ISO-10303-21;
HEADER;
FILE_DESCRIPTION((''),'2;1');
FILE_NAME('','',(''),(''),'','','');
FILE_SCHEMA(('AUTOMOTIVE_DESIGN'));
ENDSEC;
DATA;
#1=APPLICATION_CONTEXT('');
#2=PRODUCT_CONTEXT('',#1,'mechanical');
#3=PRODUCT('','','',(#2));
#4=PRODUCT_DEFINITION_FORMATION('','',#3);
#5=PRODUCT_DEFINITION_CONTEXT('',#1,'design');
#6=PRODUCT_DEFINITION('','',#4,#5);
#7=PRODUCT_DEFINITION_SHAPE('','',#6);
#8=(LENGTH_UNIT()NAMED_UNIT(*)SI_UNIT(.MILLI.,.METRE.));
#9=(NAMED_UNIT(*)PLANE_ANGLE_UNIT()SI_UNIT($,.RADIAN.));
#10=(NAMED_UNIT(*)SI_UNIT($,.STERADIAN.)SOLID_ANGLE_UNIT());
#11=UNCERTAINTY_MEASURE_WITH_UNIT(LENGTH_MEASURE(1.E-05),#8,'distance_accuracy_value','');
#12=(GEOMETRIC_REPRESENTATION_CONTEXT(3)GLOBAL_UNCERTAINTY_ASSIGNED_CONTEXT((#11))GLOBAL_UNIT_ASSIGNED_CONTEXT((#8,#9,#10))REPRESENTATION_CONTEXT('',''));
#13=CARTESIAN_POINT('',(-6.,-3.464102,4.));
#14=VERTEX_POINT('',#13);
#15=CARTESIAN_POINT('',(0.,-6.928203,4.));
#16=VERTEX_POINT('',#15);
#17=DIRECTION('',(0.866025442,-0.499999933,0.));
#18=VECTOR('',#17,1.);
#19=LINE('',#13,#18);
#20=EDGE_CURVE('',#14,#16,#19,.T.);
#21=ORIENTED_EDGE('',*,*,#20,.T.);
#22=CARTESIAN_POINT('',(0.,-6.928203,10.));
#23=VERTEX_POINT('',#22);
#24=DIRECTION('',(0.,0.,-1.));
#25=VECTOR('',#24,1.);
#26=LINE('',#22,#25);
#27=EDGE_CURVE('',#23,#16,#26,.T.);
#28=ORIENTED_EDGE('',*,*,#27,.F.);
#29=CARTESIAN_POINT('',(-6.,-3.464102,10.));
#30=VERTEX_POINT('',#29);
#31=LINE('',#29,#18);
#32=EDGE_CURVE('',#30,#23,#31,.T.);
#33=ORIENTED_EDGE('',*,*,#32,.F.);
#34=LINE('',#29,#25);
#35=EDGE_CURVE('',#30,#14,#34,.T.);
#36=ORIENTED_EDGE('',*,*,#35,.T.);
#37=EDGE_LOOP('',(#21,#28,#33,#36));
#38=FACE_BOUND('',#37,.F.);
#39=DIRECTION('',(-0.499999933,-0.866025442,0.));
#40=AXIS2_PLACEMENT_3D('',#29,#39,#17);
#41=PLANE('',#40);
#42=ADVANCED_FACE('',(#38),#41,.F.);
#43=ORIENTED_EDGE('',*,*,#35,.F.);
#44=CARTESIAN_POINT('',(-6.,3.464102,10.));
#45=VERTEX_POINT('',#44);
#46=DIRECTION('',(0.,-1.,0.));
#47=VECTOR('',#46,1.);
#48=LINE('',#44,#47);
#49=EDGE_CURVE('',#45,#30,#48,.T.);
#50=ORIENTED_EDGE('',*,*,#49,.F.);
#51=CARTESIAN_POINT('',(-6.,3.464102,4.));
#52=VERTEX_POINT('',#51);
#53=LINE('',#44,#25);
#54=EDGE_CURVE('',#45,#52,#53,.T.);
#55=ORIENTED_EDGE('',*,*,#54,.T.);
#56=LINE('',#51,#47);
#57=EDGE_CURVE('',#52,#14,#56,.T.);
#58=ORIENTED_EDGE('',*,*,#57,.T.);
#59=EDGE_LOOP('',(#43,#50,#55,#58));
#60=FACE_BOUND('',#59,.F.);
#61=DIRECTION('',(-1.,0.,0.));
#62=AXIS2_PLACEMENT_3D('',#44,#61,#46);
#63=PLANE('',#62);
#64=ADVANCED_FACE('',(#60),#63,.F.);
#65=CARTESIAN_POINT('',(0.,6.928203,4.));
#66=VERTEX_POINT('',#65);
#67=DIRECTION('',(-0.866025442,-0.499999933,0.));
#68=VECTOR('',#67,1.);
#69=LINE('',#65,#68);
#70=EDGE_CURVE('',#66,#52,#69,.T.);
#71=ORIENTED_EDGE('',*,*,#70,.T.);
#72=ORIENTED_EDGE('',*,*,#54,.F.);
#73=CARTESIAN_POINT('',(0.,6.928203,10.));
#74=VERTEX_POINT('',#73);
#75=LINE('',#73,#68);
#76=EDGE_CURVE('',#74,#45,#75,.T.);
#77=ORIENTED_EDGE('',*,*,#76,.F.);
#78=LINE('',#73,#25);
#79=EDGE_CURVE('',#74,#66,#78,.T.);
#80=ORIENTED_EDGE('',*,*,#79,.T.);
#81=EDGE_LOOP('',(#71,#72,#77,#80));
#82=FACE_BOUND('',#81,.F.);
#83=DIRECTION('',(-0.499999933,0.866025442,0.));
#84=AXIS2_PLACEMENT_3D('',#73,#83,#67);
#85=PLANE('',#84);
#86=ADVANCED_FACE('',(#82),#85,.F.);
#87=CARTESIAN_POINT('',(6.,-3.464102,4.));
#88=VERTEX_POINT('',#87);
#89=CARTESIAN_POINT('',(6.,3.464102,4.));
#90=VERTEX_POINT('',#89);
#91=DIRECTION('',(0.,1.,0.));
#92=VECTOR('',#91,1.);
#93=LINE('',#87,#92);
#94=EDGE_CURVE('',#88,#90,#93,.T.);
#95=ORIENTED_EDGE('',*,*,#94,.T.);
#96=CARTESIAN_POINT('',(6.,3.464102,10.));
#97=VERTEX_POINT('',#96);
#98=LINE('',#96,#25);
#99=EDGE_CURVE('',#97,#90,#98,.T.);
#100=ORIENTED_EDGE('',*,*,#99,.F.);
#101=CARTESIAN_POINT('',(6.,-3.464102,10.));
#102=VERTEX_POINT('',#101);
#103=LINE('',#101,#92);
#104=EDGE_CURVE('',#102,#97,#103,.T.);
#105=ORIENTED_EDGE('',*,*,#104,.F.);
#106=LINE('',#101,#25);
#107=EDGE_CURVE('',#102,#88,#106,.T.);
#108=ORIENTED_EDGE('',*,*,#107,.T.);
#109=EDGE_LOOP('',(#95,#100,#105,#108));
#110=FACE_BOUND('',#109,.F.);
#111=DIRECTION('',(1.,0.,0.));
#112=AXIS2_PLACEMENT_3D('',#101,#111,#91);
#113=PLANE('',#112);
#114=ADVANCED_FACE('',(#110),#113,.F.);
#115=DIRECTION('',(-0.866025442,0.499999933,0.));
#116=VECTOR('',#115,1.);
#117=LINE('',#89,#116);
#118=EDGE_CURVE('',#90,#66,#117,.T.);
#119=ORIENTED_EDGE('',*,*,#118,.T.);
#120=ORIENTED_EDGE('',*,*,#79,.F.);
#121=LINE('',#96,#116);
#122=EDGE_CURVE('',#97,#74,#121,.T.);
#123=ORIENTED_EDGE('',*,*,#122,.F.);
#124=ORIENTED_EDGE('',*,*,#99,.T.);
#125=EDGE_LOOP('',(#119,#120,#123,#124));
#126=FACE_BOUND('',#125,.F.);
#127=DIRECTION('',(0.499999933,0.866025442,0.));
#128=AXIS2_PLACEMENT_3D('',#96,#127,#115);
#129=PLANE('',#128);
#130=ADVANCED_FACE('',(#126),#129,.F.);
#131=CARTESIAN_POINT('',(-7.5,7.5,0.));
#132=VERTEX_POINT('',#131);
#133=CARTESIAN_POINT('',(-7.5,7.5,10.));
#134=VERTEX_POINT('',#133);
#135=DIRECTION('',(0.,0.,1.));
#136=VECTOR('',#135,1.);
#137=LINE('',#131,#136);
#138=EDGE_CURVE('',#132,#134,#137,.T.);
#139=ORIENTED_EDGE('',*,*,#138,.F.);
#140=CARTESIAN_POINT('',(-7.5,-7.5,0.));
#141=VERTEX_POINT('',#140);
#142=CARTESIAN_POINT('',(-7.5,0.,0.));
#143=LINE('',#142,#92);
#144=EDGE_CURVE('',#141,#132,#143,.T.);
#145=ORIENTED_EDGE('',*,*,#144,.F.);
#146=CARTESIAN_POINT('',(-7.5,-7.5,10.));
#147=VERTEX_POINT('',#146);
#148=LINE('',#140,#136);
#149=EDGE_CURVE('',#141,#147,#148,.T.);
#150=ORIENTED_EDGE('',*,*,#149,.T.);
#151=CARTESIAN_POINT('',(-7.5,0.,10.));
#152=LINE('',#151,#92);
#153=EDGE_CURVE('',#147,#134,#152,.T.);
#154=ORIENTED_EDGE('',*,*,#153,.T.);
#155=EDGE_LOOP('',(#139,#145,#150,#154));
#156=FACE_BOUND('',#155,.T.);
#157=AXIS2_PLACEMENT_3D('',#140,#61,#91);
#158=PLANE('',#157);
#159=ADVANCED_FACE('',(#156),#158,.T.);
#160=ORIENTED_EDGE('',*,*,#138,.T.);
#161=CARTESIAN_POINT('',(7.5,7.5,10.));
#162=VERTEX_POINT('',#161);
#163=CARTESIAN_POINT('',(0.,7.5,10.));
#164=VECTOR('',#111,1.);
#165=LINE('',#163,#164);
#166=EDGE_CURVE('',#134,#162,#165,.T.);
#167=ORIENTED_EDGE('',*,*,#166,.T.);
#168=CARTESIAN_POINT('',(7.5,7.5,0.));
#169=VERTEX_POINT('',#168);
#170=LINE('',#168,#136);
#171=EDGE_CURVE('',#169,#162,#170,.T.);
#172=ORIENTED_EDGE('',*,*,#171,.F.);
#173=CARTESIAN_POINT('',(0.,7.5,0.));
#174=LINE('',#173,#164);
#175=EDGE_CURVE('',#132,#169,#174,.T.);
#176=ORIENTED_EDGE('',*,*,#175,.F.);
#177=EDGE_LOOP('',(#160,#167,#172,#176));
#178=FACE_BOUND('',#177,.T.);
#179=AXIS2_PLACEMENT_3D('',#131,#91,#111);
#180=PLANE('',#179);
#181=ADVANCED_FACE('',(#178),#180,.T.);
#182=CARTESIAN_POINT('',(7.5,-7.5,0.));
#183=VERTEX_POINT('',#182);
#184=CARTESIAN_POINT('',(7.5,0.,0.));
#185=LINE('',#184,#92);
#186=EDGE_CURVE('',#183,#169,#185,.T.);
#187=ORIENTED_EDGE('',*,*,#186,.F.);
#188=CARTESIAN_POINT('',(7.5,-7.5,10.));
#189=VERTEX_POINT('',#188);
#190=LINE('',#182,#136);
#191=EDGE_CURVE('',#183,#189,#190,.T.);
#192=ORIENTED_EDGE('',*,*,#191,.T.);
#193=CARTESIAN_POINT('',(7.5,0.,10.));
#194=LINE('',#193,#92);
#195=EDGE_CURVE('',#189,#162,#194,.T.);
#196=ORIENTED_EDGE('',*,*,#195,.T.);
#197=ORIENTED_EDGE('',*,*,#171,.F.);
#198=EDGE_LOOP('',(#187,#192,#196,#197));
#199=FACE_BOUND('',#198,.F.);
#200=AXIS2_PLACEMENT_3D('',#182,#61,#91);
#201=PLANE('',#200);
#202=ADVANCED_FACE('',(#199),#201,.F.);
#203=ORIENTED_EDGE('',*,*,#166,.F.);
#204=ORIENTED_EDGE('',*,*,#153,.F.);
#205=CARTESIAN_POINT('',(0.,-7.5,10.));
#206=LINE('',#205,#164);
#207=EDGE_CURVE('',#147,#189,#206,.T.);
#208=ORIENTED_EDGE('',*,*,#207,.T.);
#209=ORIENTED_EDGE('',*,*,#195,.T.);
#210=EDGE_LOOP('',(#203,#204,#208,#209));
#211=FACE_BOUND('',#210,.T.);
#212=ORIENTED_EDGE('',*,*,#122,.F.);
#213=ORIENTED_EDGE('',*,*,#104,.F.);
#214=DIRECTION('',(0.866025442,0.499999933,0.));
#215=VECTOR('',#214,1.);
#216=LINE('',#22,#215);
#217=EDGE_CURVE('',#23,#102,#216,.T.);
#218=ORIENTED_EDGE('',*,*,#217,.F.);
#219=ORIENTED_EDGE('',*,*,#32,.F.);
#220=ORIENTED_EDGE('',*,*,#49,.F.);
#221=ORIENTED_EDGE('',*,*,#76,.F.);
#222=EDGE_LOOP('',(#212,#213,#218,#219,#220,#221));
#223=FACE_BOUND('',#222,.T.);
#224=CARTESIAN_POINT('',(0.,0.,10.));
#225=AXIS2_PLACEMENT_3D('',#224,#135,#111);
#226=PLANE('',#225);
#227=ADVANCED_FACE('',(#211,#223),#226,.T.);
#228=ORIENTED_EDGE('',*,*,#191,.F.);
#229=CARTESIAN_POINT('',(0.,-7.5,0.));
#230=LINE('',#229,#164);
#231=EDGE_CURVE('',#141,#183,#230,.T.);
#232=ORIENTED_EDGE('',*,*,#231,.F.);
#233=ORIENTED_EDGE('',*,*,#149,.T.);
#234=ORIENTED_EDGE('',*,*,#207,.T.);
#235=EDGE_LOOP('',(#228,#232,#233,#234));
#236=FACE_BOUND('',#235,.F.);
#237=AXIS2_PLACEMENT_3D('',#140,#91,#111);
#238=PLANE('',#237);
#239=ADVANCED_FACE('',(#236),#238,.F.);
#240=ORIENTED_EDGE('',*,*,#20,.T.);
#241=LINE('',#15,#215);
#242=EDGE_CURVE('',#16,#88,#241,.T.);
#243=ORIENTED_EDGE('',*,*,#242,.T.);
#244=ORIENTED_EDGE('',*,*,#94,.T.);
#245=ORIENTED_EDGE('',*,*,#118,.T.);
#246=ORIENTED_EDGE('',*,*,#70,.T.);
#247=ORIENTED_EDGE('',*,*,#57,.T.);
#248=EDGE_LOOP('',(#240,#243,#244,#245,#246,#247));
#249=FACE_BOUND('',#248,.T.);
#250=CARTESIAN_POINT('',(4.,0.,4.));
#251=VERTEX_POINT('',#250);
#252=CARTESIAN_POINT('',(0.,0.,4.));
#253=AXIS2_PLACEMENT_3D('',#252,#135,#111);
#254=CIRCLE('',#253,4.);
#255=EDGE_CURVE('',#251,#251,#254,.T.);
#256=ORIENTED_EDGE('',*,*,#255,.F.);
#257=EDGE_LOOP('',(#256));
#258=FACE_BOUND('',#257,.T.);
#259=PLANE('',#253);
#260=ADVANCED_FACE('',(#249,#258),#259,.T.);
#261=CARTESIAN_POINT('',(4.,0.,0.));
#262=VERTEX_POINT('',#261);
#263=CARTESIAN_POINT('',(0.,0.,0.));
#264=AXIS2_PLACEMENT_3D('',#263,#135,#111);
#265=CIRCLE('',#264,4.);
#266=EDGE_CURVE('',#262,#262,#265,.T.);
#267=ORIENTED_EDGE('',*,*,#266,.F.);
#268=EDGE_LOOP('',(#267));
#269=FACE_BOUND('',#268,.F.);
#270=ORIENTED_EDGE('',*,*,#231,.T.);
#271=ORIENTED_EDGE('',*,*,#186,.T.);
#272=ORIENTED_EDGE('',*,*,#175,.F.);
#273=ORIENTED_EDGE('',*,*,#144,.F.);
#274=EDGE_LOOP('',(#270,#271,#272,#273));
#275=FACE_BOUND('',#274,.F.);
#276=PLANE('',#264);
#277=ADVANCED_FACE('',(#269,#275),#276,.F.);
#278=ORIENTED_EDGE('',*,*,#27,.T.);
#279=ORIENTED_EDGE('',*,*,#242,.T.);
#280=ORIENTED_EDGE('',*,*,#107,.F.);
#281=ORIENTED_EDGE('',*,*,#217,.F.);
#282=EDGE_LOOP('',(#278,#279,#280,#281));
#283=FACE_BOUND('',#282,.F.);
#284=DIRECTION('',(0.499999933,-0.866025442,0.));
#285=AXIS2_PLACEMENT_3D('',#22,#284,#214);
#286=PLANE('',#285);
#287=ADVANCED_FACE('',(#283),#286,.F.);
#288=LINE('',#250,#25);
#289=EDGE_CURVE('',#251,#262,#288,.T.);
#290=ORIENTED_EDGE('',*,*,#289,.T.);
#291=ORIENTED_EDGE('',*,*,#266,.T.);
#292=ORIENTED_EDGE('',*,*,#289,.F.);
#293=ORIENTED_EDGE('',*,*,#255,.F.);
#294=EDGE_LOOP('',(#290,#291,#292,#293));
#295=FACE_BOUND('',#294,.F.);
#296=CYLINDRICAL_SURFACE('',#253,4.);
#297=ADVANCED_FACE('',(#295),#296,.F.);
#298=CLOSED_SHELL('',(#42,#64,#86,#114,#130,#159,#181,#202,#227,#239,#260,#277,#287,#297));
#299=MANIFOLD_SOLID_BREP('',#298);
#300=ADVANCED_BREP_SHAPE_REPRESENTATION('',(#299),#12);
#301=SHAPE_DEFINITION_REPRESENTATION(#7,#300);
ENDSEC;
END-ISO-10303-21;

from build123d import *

# Parameters (mm, degrees)
F0_W     = 15
F0_H     = 15
F1_DEPTH = 10
F3_DEPTH = 6
F4_R     = 4
F5_DEPTH = 25


with BuildPart() as f1:
    # F0 (on Top) → F1 (new body)
    with BuildSketch(Plane.XY):
        Rectangle(F0_W, F0_H)
    extrude(amount=F1_DEPTH)

    # F2 (on face) → F3 (cut)
    with BuildSketch(Plane.XY.offset(10)):
        Polygon((0, -6.928203), (6, -3.464102), (6, 3.464102), (0, 6.928203), (-6, 3.464102), (-6, -3.464102), align=None)
    extrude(amount=-F3_DEPTH, mode=Mode.SUBTRACT)

    # F4 (on face) → F5 (cut)
    with BuildSketch(Plane.XY.offset(4)):
        Circle(F4_R)
    extrude(amount=-F5_DEPTH, mode=Mode.SUBTRACT)


solid = f1.part
